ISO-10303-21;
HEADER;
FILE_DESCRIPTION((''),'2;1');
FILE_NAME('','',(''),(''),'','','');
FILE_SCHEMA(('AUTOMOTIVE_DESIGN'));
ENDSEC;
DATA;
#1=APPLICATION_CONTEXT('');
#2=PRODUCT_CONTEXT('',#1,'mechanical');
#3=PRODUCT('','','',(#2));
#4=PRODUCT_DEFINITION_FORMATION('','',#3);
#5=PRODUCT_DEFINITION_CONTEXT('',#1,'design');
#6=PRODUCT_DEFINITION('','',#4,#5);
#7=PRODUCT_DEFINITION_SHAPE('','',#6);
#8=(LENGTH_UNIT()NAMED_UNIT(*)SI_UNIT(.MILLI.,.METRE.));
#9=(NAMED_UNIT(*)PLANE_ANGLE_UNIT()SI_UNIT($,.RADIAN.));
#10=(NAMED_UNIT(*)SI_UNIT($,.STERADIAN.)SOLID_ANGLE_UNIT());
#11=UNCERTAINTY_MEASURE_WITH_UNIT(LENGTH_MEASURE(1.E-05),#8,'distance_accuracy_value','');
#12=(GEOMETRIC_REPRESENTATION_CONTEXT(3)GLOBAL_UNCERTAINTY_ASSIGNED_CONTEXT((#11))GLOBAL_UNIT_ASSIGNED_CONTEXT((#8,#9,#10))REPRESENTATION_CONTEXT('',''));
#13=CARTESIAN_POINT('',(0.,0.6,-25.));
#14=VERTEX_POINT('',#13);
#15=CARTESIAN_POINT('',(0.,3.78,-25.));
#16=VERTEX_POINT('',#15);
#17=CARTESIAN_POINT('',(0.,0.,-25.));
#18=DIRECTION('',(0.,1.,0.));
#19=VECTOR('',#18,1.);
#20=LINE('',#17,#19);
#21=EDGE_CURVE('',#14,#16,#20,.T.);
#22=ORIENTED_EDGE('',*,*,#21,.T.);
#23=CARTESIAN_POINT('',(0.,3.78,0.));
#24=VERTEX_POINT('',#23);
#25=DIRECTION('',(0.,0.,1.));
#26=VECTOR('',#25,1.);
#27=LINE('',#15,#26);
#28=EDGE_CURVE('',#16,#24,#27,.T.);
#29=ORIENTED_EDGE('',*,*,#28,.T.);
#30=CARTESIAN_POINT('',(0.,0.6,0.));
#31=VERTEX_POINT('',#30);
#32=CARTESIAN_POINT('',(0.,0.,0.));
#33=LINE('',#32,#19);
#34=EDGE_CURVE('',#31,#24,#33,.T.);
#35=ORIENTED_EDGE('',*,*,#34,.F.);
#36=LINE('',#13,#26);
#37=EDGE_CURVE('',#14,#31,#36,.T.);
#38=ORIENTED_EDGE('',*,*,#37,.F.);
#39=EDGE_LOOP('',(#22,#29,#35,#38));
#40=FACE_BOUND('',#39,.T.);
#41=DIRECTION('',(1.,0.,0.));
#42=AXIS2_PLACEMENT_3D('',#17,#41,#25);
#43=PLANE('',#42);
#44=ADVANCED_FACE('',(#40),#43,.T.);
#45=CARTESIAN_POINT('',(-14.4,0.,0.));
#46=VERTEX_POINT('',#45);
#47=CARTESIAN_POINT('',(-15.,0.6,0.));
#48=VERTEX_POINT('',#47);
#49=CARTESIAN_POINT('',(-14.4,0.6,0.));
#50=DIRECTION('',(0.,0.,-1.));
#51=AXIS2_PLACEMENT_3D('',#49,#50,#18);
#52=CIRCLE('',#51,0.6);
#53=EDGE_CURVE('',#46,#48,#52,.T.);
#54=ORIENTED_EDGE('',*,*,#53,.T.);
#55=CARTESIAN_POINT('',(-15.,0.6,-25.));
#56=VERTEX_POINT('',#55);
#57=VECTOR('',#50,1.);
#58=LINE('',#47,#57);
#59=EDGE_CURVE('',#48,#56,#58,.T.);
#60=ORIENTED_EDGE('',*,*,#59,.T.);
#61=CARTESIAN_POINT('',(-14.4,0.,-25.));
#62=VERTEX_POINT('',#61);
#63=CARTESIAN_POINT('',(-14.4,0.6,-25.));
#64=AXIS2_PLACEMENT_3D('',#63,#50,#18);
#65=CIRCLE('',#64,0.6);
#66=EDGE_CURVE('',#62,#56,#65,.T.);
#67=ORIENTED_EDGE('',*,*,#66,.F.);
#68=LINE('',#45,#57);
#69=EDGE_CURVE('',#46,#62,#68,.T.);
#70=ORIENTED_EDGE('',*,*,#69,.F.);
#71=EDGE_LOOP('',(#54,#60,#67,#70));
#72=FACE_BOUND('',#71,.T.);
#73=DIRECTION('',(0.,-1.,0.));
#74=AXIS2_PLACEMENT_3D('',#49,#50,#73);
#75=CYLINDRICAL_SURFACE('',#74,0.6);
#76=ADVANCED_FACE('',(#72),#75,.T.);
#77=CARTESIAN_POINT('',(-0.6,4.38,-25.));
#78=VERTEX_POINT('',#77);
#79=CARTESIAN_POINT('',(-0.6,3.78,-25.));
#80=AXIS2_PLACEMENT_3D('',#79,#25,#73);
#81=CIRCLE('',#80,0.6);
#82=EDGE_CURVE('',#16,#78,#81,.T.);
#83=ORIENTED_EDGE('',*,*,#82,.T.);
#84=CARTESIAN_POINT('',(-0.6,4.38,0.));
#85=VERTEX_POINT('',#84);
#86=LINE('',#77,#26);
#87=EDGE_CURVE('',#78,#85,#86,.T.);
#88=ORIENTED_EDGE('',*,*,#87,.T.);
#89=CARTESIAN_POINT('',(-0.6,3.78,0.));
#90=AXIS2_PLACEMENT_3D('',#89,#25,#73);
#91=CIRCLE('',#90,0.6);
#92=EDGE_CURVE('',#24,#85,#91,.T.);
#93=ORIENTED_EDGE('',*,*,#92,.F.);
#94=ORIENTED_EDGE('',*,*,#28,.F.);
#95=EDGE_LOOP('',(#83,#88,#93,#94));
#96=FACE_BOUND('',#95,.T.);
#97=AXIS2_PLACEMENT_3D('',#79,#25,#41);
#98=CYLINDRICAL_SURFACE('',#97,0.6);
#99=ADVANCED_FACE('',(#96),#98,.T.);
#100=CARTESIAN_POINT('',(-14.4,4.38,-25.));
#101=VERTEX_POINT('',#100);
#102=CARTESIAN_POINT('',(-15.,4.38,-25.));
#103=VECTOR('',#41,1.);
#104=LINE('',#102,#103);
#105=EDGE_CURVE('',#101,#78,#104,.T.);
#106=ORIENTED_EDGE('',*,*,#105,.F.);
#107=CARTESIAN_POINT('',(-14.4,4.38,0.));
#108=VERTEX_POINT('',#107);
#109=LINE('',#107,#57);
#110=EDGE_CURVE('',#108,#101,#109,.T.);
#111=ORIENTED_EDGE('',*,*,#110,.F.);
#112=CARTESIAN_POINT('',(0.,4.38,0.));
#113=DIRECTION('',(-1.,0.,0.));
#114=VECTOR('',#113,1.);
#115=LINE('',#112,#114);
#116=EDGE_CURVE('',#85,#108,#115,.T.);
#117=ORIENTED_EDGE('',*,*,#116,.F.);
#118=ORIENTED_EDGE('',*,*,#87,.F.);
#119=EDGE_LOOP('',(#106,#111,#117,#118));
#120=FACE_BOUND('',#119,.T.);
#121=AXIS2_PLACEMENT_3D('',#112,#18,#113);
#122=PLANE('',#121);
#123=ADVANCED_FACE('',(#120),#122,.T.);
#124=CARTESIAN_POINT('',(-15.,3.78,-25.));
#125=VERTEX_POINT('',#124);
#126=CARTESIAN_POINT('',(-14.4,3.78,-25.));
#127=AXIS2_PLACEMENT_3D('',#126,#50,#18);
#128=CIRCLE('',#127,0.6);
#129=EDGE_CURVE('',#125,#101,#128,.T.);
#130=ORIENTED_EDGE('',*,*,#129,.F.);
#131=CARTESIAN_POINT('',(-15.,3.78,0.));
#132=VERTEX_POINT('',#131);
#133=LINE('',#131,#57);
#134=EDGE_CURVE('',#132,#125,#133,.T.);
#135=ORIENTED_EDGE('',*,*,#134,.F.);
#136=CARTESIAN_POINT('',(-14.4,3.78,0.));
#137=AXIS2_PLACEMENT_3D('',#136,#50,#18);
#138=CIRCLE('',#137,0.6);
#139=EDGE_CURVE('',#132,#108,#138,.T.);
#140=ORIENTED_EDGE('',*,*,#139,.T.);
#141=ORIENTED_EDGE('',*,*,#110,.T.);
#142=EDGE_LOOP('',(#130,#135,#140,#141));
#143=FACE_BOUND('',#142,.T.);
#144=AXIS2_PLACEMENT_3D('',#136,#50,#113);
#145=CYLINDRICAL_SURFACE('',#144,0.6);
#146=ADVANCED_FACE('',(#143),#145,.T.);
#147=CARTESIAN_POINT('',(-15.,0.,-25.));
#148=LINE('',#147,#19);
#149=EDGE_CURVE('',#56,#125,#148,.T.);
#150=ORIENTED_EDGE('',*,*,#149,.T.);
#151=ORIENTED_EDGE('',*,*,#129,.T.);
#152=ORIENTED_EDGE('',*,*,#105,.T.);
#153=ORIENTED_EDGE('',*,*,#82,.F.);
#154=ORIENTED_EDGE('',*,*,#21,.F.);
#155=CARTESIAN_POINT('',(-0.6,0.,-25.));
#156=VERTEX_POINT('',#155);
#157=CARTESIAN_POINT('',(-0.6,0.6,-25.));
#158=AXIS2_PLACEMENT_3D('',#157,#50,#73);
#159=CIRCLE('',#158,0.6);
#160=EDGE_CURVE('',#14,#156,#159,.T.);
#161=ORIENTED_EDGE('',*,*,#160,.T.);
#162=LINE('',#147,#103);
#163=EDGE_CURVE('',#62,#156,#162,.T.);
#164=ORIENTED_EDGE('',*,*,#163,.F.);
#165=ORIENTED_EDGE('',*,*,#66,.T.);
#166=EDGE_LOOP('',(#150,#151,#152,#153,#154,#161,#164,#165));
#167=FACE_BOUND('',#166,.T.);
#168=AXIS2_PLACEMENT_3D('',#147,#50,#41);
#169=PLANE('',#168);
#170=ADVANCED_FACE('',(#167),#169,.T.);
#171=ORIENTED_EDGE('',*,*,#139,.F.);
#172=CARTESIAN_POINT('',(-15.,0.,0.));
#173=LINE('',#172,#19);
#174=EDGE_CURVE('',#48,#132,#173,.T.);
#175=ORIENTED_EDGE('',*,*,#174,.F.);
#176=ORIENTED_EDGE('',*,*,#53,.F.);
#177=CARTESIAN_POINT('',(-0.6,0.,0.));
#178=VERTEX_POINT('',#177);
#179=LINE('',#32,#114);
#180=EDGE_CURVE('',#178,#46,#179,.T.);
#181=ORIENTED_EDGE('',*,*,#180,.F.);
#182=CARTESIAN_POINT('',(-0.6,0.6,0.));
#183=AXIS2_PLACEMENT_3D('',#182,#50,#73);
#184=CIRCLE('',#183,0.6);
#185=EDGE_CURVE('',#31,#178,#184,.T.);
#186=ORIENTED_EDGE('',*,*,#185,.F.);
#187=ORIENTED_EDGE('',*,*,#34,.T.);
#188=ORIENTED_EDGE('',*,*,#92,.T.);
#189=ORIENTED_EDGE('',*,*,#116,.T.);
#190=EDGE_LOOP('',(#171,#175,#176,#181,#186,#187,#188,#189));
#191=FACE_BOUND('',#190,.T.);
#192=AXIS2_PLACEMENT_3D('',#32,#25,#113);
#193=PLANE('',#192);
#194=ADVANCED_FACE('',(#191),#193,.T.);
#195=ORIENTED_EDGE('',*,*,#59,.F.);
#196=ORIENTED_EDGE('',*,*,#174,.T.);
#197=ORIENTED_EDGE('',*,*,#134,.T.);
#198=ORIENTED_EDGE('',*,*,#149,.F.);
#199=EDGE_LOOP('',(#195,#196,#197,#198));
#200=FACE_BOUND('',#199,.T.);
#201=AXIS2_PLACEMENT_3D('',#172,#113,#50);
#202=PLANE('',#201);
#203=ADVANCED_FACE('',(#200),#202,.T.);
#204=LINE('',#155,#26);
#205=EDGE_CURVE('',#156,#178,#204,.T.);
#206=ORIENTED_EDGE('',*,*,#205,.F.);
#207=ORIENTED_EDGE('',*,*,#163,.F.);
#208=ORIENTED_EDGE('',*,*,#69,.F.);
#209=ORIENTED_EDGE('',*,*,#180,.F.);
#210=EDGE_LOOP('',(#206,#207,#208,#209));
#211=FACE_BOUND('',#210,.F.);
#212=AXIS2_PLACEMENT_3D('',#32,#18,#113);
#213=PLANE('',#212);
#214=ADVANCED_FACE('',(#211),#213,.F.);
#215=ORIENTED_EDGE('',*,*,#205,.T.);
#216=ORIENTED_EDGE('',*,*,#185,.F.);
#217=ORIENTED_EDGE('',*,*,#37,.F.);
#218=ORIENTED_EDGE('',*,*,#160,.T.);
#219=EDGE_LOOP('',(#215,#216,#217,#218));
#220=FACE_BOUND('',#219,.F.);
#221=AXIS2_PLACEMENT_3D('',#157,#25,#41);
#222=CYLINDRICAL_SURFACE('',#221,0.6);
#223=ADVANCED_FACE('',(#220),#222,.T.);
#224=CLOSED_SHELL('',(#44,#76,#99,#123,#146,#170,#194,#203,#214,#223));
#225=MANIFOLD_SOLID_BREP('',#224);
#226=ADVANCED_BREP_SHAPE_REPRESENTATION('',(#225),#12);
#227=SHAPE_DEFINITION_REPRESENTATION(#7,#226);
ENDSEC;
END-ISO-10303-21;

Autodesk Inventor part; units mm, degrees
ref_plane "YZ Plane" through (0, 0, 0) normal (1, 0, 0) x (0, 1, 0)
ref_plane "XZ Plane" through (0, 0, 0) normal (0, 1, 0) x (-1, 0, 0)
ref_plane "XY Plane" through (0, 0, 0) normal (0, 0, 1) x (1, 0, 0)
sketch "Szkic1" plane through (0, 0, 0) normal (0, 1, 0) x (-1, 0, 0)
  line L0 (0, 0) -> (15, 0)
  line L1 (15, 0) -> (15, -25)
  line L2 (15, -25) -> (0, -25)
  line L3 (0, -25) -> (0, 0)
  dimension "d0" = 15
  dimension "d1" = 25
extrude "Wyciągnięcie proste1" add sketch "Szkic1" along normal blind 4.38
fillet "Zaokrąglenie1" radius 0.6 2 edges at (-15, 4.38, -12.5) (0, 4.38, -12.5)
fillet "Zaokrąglenie2" radius 0.6 2 edges at (-15, 0, -12.5) (0, 0, -12.5)
properties part number "li-po 150mAh'"
